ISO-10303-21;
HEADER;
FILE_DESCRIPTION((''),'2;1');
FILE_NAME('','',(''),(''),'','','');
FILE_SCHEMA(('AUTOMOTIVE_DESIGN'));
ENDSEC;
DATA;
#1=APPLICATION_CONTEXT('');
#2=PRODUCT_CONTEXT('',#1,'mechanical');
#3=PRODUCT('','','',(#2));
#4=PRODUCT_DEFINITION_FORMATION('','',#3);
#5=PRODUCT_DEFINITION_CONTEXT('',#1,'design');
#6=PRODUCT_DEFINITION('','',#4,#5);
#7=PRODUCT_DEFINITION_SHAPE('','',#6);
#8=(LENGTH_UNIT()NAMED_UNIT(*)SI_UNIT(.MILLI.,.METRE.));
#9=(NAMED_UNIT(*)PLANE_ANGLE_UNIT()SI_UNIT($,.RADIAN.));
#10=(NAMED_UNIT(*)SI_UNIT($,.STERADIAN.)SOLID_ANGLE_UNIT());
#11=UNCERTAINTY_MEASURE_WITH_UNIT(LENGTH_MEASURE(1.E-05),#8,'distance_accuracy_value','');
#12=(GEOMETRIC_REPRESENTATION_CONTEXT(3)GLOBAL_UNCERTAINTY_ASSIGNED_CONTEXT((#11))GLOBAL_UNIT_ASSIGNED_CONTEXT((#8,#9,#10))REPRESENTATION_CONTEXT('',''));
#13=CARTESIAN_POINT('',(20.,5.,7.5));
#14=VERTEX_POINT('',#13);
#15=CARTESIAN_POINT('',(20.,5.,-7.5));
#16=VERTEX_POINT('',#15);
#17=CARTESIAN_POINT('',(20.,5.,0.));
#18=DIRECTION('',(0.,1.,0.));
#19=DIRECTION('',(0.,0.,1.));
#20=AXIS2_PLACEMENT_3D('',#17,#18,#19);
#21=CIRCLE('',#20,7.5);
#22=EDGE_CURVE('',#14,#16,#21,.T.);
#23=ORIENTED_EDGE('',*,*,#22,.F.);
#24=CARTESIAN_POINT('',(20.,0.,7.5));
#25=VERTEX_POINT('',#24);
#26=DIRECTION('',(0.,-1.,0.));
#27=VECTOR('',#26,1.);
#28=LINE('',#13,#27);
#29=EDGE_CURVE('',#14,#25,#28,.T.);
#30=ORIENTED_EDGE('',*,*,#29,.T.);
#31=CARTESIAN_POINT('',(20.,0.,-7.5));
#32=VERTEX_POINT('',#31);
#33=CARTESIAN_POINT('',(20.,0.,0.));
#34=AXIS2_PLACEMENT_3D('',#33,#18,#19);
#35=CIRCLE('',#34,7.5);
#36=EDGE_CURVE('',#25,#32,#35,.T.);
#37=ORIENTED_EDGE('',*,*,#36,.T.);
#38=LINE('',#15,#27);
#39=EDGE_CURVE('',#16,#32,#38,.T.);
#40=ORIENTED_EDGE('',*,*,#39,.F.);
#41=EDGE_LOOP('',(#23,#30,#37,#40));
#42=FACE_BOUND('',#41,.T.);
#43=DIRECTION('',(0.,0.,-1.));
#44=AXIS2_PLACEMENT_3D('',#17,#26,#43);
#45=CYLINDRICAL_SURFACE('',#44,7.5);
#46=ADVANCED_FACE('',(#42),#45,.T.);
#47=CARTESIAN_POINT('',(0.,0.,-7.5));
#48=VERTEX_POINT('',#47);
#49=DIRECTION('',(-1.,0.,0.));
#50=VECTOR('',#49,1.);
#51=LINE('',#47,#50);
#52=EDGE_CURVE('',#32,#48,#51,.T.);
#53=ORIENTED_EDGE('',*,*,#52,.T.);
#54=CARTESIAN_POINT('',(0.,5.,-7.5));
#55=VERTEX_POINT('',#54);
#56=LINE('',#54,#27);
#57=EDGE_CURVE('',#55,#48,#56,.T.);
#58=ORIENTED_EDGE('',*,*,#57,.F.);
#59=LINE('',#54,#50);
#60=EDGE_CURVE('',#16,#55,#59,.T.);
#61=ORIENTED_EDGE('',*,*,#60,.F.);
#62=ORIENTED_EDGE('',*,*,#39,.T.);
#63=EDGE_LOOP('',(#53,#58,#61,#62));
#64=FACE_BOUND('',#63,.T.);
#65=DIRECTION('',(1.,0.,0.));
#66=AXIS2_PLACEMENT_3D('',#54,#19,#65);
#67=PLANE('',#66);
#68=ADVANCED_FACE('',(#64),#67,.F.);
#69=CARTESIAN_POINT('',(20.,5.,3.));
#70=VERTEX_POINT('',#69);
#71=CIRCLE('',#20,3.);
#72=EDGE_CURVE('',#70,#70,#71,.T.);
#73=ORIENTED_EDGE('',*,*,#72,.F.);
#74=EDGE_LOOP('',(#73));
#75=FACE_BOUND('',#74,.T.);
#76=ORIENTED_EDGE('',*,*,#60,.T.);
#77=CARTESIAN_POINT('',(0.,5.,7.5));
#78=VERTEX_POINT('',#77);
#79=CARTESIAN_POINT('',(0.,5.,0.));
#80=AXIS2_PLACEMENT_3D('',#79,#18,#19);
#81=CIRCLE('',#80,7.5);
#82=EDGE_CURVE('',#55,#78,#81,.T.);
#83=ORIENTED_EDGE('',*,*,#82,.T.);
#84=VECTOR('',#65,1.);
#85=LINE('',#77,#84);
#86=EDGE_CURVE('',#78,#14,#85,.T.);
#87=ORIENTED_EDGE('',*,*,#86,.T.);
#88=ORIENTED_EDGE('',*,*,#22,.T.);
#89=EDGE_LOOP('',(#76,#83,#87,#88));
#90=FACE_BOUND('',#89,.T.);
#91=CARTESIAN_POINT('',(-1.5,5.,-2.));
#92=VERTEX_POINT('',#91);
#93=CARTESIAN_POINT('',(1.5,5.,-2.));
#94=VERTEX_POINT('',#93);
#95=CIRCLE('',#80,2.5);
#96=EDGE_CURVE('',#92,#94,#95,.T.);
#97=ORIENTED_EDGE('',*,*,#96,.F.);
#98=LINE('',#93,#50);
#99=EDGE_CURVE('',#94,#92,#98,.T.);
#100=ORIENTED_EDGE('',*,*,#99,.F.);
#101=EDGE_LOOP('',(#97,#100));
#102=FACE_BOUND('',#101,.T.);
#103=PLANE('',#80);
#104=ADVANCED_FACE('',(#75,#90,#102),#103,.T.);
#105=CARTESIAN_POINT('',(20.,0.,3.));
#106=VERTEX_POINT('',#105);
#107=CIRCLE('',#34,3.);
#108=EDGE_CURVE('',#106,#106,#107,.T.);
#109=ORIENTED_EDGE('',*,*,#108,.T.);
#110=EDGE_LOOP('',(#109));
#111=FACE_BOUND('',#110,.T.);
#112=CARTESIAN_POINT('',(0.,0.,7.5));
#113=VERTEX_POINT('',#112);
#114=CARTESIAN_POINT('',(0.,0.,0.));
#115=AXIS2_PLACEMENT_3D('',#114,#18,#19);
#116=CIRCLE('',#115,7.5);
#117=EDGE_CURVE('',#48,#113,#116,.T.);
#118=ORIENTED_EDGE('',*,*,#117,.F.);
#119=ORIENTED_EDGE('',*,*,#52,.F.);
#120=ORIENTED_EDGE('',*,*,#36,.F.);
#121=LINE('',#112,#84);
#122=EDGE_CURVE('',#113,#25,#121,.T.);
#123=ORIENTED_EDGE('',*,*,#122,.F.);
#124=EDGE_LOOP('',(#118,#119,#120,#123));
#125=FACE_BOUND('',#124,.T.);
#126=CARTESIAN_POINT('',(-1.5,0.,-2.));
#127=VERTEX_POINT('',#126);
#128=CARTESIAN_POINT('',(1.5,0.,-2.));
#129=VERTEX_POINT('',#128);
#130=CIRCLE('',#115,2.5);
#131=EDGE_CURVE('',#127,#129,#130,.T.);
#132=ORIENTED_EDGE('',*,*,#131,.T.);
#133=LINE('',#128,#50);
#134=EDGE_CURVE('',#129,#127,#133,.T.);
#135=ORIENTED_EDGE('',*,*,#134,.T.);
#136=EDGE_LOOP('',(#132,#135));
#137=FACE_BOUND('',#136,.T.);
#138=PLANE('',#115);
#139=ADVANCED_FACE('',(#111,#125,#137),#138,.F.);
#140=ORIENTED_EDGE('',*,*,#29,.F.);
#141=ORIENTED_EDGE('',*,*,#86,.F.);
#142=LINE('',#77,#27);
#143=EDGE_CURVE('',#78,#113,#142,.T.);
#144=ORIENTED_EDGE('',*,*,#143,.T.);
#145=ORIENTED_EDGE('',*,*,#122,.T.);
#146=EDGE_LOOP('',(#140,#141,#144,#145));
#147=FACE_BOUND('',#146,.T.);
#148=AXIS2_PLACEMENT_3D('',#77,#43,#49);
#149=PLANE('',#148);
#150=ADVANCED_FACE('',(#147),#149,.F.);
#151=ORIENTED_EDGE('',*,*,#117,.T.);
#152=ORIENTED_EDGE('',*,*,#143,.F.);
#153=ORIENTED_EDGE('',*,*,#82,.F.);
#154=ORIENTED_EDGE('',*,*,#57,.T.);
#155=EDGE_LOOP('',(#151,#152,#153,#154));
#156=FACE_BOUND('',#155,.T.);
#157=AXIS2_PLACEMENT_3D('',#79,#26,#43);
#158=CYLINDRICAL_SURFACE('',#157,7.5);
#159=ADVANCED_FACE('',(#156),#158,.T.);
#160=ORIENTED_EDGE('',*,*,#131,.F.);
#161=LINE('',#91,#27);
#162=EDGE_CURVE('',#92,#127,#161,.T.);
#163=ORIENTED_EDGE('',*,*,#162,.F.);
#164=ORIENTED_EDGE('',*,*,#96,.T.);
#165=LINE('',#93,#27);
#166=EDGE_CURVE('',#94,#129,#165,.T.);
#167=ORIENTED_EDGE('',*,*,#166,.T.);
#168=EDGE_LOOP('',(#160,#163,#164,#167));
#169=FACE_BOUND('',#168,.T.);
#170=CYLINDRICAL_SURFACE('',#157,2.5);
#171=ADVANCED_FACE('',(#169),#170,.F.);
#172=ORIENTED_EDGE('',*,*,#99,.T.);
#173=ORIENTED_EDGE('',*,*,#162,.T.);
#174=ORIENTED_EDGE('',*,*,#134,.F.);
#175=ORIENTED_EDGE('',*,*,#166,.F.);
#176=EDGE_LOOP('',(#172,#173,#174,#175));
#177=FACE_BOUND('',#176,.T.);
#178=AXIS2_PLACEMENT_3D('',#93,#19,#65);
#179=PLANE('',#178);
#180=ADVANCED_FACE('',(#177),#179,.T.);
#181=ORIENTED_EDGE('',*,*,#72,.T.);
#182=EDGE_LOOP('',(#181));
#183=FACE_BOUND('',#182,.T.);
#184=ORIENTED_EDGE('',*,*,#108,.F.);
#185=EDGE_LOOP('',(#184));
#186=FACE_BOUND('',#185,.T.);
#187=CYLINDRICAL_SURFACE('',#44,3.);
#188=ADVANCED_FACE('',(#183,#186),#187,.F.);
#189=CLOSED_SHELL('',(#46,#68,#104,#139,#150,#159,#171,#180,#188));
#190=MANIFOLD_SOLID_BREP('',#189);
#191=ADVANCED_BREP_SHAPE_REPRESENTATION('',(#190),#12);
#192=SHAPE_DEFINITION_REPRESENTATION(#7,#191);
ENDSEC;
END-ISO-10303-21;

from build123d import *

# Parameters (mm, degrees)
SKETCH1_R           = 3
BOSS_EXTRUDE1_DEPTH = 5


with BuildPart() as part:
    # Sketch1 → Boss-Extrude1 (new body)
    with BuildSketch(Plane(origin=(0, 0, 0), x_dir=(1, 0, 0), z_dir=(0, 1, 0))):
        with BuildLine():
            Line((0, 7.5), (20, 7.5))
            ThreePointArc((20, 7.5), (27.5, 0), (20, -7.5))
            Line((20, -7.5), (0, -7.5))
            ThreePointArc((0, -7.5), (-7.5, 0), (0, 7.5))
        make_face()
        with Locations(Location((20, 0, 0), (0, 0, 270))):
            Circle(SKETCH1_R, mode=Mode.SUBTRACT)
        with BuildLine():
            Line((1.5, 2), (-1.5, 2))
            ThreePointArc((-1.5, 2), (0, -2.5), (1.5, 2))
        make_face(mode=Mode.SUBTRACT)
    extrude(amount=BOSS_EXTRUDE1_DEPTH)


solid = part.part
